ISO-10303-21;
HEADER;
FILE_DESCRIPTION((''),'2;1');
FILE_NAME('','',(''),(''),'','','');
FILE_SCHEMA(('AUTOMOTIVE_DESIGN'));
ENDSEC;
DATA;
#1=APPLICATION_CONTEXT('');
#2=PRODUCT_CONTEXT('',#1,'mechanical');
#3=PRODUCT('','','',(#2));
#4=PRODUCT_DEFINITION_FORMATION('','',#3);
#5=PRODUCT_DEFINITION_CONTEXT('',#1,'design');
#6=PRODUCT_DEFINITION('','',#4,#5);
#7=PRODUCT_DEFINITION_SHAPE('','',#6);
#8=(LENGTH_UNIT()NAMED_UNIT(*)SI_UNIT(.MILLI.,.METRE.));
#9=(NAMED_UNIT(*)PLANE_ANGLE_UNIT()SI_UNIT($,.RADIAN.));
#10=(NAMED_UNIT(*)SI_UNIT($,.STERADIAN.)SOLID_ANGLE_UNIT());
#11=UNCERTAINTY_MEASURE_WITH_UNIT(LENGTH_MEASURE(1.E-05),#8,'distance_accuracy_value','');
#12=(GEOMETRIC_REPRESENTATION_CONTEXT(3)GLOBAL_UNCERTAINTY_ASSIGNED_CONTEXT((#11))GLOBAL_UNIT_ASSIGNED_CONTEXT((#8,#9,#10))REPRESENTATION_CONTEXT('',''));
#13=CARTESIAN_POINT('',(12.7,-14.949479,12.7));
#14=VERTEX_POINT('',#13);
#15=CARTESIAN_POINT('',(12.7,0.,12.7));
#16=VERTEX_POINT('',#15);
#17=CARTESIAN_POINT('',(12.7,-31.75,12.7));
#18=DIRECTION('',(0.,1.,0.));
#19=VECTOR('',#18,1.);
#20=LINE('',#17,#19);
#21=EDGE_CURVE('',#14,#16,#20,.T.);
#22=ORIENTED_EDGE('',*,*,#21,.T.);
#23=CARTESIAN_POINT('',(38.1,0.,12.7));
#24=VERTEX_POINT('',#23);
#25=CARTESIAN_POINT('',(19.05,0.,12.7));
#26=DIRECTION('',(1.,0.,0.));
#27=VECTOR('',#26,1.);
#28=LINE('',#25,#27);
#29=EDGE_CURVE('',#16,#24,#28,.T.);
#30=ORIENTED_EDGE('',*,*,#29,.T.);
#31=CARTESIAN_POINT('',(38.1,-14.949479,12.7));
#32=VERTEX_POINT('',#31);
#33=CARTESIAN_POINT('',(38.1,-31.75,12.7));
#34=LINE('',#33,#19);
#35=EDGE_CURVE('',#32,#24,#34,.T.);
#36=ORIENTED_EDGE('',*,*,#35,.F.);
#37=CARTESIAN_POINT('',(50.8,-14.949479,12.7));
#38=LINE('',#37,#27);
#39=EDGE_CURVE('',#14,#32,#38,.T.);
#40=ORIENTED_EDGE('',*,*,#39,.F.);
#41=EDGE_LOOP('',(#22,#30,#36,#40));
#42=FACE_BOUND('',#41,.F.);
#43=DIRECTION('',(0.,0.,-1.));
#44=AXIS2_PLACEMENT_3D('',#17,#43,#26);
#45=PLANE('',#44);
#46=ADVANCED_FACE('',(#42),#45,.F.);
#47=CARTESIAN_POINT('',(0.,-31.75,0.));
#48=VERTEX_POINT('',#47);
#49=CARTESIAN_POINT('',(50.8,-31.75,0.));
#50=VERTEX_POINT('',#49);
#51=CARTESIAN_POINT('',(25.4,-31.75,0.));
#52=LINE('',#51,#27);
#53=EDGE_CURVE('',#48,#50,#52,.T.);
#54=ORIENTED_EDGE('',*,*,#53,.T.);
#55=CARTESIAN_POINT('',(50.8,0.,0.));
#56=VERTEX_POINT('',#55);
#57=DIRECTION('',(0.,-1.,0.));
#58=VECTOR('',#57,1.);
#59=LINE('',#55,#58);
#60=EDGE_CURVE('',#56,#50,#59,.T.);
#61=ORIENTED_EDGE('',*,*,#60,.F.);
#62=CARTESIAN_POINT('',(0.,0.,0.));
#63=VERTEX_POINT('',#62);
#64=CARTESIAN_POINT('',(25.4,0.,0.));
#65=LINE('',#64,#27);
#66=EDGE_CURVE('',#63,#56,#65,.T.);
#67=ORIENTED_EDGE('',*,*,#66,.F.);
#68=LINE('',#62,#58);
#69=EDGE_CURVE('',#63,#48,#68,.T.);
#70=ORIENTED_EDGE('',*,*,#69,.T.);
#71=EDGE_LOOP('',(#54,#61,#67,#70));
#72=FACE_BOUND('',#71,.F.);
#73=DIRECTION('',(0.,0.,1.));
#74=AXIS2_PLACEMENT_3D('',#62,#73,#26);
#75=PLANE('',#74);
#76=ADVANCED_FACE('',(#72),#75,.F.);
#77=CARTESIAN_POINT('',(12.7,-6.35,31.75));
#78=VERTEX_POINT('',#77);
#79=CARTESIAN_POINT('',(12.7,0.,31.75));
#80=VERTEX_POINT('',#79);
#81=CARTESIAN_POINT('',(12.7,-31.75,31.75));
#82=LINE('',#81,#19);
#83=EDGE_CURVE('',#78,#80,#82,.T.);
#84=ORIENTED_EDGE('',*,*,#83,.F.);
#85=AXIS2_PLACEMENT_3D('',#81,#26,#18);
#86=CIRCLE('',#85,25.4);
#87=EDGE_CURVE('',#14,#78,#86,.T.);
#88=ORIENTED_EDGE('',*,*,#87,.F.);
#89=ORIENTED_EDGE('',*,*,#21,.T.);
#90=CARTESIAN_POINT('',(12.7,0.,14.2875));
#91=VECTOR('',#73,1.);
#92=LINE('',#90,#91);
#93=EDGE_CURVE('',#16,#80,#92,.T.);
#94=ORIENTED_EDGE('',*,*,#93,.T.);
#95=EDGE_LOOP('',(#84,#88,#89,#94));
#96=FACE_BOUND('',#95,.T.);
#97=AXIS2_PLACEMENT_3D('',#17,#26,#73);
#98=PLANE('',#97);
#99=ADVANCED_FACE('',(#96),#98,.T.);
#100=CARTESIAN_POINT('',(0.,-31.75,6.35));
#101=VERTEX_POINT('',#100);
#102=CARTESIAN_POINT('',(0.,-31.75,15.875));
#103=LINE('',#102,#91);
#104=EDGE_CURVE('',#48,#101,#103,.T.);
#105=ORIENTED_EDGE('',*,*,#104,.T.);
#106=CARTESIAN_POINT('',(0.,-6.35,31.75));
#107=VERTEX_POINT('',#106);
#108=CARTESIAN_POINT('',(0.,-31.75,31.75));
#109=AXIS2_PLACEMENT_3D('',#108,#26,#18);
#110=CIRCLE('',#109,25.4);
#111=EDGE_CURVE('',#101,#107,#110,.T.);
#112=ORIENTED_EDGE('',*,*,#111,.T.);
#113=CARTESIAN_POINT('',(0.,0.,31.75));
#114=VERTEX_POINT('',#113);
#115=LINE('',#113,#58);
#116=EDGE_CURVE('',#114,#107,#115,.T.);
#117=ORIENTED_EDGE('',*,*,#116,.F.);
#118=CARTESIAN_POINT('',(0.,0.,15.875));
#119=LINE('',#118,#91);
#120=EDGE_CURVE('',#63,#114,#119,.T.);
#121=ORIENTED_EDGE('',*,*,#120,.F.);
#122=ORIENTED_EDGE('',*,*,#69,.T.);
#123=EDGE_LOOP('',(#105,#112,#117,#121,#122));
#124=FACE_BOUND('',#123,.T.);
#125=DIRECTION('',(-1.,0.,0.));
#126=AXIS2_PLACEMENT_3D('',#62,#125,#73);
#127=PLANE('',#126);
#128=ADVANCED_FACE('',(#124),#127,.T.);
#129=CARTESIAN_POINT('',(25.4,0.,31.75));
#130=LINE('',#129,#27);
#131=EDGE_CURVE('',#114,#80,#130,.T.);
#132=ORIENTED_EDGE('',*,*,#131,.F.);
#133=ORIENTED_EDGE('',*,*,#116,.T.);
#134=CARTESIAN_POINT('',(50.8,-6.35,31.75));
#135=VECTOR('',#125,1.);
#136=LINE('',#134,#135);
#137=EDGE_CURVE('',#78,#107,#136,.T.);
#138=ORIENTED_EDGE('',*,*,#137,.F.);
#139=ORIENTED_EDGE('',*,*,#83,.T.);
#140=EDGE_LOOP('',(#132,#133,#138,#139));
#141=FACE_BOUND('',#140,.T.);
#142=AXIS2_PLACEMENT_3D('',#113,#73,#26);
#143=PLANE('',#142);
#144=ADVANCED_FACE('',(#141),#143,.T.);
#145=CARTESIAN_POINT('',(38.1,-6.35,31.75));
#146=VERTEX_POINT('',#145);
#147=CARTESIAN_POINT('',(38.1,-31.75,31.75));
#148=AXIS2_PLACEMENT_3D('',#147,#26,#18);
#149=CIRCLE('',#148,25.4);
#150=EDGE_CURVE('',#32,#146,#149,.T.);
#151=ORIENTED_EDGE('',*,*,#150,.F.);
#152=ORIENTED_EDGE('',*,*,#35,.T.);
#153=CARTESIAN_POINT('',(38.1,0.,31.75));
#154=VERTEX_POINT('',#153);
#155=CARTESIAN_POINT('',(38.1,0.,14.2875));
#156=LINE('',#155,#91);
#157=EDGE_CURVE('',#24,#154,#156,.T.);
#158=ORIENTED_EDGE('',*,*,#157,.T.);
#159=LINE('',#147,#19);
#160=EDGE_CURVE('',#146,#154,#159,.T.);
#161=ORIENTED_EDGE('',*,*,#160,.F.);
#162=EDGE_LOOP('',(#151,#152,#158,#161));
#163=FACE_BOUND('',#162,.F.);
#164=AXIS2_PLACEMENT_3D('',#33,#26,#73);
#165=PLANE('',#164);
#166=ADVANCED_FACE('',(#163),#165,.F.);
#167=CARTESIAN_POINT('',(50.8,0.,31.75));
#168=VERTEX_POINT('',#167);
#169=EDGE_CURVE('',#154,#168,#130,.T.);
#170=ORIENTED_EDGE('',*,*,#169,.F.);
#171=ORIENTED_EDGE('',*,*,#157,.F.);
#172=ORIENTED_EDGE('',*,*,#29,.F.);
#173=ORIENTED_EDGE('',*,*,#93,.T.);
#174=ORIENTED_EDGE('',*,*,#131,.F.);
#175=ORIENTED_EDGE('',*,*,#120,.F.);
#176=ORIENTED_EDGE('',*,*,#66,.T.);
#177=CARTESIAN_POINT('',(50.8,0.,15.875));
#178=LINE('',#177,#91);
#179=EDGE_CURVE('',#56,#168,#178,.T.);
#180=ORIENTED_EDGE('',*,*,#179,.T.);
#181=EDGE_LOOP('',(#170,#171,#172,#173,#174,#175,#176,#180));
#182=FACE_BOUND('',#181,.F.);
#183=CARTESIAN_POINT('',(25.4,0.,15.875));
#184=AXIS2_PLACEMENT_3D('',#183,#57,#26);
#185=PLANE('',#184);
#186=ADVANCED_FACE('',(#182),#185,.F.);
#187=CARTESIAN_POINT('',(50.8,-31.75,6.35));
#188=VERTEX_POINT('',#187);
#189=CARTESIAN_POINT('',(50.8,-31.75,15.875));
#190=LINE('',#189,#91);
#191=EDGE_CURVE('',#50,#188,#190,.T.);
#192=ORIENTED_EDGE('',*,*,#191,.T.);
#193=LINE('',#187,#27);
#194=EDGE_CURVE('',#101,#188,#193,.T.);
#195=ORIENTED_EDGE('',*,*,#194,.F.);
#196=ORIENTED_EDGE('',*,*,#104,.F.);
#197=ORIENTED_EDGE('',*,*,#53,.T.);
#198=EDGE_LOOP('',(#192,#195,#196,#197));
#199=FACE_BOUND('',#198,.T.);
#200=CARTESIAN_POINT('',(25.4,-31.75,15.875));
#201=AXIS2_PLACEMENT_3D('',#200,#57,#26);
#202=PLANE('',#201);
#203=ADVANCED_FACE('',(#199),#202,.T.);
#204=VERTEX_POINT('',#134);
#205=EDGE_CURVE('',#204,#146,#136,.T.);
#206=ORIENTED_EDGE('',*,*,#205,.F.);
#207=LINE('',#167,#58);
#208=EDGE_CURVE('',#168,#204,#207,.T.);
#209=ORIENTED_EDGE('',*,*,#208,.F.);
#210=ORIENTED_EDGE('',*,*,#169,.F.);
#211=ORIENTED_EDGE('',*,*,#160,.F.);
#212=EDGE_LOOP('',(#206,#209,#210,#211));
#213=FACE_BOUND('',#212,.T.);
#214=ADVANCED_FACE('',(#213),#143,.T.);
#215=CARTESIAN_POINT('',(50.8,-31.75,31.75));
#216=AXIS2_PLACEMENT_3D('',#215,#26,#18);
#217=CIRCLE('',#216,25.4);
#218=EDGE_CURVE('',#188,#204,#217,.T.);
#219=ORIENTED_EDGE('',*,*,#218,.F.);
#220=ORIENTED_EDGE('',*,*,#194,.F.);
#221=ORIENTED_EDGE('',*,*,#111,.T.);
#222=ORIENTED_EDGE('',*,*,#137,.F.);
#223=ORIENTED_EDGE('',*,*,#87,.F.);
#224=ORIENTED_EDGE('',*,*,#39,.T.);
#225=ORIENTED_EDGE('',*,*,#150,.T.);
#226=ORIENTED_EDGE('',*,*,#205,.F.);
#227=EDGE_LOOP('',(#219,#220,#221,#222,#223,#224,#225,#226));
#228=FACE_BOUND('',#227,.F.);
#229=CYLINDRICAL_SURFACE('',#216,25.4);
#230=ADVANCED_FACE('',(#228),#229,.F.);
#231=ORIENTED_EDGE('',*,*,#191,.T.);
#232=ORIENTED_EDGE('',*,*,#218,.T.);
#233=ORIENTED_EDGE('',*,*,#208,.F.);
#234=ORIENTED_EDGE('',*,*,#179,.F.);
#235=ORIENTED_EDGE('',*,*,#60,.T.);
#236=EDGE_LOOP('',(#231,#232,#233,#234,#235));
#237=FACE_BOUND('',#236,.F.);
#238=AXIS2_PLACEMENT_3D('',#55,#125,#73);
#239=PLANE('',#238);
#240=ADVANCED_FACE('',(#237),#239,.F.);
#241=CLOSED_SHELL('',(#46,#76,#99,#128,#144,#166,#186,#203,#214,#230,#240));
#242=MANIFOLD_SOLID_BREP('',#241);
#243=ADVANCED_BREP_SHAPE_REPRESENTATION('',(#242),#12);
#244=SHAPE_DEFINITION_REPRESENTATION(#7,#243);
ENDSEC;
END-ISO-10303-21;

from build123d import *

# Parameters (mm, degrees)
F0_W     = 50.8
F0_H     = 31.75
F1_DEPTH = 31.75
F2_W     = 25.4
F2_H     = 19.05
F3_DEPTH = 31.751
F4_R     = 25.4
F5_DEPTH = 50.801


with BuildPart() as f1:
    # F0 (on Front) → F1 (new body)
    with BuildSketch(Plane.XZ):
        with Locations((25.4, 15.875)):
            Rectangle(F0_W, F0_H)
    extrude(amount=F1_DEPTH)

    # F2 (on face) → F3 (cut, through all)
    with BuildSketch(Plane.XZ.offset(31.75)):
        with Locations((25.4, 22.225)):
            Rectangle(F2_W, F2_H)
    extrude(amount=-F3_DEPTH, mode=Mode.SUBTRACT)

    # F4 (on face) → F5 (cut, through all)
    with BuildSketch(Plane.YZ.offset(50.8)):
        with Locations((-31.75, 31.75)):
            Circle(F4_R)
    extrude(amount=-F5_DEPTH, mode=Mode.SUBTRACT)


solid = f1.part
